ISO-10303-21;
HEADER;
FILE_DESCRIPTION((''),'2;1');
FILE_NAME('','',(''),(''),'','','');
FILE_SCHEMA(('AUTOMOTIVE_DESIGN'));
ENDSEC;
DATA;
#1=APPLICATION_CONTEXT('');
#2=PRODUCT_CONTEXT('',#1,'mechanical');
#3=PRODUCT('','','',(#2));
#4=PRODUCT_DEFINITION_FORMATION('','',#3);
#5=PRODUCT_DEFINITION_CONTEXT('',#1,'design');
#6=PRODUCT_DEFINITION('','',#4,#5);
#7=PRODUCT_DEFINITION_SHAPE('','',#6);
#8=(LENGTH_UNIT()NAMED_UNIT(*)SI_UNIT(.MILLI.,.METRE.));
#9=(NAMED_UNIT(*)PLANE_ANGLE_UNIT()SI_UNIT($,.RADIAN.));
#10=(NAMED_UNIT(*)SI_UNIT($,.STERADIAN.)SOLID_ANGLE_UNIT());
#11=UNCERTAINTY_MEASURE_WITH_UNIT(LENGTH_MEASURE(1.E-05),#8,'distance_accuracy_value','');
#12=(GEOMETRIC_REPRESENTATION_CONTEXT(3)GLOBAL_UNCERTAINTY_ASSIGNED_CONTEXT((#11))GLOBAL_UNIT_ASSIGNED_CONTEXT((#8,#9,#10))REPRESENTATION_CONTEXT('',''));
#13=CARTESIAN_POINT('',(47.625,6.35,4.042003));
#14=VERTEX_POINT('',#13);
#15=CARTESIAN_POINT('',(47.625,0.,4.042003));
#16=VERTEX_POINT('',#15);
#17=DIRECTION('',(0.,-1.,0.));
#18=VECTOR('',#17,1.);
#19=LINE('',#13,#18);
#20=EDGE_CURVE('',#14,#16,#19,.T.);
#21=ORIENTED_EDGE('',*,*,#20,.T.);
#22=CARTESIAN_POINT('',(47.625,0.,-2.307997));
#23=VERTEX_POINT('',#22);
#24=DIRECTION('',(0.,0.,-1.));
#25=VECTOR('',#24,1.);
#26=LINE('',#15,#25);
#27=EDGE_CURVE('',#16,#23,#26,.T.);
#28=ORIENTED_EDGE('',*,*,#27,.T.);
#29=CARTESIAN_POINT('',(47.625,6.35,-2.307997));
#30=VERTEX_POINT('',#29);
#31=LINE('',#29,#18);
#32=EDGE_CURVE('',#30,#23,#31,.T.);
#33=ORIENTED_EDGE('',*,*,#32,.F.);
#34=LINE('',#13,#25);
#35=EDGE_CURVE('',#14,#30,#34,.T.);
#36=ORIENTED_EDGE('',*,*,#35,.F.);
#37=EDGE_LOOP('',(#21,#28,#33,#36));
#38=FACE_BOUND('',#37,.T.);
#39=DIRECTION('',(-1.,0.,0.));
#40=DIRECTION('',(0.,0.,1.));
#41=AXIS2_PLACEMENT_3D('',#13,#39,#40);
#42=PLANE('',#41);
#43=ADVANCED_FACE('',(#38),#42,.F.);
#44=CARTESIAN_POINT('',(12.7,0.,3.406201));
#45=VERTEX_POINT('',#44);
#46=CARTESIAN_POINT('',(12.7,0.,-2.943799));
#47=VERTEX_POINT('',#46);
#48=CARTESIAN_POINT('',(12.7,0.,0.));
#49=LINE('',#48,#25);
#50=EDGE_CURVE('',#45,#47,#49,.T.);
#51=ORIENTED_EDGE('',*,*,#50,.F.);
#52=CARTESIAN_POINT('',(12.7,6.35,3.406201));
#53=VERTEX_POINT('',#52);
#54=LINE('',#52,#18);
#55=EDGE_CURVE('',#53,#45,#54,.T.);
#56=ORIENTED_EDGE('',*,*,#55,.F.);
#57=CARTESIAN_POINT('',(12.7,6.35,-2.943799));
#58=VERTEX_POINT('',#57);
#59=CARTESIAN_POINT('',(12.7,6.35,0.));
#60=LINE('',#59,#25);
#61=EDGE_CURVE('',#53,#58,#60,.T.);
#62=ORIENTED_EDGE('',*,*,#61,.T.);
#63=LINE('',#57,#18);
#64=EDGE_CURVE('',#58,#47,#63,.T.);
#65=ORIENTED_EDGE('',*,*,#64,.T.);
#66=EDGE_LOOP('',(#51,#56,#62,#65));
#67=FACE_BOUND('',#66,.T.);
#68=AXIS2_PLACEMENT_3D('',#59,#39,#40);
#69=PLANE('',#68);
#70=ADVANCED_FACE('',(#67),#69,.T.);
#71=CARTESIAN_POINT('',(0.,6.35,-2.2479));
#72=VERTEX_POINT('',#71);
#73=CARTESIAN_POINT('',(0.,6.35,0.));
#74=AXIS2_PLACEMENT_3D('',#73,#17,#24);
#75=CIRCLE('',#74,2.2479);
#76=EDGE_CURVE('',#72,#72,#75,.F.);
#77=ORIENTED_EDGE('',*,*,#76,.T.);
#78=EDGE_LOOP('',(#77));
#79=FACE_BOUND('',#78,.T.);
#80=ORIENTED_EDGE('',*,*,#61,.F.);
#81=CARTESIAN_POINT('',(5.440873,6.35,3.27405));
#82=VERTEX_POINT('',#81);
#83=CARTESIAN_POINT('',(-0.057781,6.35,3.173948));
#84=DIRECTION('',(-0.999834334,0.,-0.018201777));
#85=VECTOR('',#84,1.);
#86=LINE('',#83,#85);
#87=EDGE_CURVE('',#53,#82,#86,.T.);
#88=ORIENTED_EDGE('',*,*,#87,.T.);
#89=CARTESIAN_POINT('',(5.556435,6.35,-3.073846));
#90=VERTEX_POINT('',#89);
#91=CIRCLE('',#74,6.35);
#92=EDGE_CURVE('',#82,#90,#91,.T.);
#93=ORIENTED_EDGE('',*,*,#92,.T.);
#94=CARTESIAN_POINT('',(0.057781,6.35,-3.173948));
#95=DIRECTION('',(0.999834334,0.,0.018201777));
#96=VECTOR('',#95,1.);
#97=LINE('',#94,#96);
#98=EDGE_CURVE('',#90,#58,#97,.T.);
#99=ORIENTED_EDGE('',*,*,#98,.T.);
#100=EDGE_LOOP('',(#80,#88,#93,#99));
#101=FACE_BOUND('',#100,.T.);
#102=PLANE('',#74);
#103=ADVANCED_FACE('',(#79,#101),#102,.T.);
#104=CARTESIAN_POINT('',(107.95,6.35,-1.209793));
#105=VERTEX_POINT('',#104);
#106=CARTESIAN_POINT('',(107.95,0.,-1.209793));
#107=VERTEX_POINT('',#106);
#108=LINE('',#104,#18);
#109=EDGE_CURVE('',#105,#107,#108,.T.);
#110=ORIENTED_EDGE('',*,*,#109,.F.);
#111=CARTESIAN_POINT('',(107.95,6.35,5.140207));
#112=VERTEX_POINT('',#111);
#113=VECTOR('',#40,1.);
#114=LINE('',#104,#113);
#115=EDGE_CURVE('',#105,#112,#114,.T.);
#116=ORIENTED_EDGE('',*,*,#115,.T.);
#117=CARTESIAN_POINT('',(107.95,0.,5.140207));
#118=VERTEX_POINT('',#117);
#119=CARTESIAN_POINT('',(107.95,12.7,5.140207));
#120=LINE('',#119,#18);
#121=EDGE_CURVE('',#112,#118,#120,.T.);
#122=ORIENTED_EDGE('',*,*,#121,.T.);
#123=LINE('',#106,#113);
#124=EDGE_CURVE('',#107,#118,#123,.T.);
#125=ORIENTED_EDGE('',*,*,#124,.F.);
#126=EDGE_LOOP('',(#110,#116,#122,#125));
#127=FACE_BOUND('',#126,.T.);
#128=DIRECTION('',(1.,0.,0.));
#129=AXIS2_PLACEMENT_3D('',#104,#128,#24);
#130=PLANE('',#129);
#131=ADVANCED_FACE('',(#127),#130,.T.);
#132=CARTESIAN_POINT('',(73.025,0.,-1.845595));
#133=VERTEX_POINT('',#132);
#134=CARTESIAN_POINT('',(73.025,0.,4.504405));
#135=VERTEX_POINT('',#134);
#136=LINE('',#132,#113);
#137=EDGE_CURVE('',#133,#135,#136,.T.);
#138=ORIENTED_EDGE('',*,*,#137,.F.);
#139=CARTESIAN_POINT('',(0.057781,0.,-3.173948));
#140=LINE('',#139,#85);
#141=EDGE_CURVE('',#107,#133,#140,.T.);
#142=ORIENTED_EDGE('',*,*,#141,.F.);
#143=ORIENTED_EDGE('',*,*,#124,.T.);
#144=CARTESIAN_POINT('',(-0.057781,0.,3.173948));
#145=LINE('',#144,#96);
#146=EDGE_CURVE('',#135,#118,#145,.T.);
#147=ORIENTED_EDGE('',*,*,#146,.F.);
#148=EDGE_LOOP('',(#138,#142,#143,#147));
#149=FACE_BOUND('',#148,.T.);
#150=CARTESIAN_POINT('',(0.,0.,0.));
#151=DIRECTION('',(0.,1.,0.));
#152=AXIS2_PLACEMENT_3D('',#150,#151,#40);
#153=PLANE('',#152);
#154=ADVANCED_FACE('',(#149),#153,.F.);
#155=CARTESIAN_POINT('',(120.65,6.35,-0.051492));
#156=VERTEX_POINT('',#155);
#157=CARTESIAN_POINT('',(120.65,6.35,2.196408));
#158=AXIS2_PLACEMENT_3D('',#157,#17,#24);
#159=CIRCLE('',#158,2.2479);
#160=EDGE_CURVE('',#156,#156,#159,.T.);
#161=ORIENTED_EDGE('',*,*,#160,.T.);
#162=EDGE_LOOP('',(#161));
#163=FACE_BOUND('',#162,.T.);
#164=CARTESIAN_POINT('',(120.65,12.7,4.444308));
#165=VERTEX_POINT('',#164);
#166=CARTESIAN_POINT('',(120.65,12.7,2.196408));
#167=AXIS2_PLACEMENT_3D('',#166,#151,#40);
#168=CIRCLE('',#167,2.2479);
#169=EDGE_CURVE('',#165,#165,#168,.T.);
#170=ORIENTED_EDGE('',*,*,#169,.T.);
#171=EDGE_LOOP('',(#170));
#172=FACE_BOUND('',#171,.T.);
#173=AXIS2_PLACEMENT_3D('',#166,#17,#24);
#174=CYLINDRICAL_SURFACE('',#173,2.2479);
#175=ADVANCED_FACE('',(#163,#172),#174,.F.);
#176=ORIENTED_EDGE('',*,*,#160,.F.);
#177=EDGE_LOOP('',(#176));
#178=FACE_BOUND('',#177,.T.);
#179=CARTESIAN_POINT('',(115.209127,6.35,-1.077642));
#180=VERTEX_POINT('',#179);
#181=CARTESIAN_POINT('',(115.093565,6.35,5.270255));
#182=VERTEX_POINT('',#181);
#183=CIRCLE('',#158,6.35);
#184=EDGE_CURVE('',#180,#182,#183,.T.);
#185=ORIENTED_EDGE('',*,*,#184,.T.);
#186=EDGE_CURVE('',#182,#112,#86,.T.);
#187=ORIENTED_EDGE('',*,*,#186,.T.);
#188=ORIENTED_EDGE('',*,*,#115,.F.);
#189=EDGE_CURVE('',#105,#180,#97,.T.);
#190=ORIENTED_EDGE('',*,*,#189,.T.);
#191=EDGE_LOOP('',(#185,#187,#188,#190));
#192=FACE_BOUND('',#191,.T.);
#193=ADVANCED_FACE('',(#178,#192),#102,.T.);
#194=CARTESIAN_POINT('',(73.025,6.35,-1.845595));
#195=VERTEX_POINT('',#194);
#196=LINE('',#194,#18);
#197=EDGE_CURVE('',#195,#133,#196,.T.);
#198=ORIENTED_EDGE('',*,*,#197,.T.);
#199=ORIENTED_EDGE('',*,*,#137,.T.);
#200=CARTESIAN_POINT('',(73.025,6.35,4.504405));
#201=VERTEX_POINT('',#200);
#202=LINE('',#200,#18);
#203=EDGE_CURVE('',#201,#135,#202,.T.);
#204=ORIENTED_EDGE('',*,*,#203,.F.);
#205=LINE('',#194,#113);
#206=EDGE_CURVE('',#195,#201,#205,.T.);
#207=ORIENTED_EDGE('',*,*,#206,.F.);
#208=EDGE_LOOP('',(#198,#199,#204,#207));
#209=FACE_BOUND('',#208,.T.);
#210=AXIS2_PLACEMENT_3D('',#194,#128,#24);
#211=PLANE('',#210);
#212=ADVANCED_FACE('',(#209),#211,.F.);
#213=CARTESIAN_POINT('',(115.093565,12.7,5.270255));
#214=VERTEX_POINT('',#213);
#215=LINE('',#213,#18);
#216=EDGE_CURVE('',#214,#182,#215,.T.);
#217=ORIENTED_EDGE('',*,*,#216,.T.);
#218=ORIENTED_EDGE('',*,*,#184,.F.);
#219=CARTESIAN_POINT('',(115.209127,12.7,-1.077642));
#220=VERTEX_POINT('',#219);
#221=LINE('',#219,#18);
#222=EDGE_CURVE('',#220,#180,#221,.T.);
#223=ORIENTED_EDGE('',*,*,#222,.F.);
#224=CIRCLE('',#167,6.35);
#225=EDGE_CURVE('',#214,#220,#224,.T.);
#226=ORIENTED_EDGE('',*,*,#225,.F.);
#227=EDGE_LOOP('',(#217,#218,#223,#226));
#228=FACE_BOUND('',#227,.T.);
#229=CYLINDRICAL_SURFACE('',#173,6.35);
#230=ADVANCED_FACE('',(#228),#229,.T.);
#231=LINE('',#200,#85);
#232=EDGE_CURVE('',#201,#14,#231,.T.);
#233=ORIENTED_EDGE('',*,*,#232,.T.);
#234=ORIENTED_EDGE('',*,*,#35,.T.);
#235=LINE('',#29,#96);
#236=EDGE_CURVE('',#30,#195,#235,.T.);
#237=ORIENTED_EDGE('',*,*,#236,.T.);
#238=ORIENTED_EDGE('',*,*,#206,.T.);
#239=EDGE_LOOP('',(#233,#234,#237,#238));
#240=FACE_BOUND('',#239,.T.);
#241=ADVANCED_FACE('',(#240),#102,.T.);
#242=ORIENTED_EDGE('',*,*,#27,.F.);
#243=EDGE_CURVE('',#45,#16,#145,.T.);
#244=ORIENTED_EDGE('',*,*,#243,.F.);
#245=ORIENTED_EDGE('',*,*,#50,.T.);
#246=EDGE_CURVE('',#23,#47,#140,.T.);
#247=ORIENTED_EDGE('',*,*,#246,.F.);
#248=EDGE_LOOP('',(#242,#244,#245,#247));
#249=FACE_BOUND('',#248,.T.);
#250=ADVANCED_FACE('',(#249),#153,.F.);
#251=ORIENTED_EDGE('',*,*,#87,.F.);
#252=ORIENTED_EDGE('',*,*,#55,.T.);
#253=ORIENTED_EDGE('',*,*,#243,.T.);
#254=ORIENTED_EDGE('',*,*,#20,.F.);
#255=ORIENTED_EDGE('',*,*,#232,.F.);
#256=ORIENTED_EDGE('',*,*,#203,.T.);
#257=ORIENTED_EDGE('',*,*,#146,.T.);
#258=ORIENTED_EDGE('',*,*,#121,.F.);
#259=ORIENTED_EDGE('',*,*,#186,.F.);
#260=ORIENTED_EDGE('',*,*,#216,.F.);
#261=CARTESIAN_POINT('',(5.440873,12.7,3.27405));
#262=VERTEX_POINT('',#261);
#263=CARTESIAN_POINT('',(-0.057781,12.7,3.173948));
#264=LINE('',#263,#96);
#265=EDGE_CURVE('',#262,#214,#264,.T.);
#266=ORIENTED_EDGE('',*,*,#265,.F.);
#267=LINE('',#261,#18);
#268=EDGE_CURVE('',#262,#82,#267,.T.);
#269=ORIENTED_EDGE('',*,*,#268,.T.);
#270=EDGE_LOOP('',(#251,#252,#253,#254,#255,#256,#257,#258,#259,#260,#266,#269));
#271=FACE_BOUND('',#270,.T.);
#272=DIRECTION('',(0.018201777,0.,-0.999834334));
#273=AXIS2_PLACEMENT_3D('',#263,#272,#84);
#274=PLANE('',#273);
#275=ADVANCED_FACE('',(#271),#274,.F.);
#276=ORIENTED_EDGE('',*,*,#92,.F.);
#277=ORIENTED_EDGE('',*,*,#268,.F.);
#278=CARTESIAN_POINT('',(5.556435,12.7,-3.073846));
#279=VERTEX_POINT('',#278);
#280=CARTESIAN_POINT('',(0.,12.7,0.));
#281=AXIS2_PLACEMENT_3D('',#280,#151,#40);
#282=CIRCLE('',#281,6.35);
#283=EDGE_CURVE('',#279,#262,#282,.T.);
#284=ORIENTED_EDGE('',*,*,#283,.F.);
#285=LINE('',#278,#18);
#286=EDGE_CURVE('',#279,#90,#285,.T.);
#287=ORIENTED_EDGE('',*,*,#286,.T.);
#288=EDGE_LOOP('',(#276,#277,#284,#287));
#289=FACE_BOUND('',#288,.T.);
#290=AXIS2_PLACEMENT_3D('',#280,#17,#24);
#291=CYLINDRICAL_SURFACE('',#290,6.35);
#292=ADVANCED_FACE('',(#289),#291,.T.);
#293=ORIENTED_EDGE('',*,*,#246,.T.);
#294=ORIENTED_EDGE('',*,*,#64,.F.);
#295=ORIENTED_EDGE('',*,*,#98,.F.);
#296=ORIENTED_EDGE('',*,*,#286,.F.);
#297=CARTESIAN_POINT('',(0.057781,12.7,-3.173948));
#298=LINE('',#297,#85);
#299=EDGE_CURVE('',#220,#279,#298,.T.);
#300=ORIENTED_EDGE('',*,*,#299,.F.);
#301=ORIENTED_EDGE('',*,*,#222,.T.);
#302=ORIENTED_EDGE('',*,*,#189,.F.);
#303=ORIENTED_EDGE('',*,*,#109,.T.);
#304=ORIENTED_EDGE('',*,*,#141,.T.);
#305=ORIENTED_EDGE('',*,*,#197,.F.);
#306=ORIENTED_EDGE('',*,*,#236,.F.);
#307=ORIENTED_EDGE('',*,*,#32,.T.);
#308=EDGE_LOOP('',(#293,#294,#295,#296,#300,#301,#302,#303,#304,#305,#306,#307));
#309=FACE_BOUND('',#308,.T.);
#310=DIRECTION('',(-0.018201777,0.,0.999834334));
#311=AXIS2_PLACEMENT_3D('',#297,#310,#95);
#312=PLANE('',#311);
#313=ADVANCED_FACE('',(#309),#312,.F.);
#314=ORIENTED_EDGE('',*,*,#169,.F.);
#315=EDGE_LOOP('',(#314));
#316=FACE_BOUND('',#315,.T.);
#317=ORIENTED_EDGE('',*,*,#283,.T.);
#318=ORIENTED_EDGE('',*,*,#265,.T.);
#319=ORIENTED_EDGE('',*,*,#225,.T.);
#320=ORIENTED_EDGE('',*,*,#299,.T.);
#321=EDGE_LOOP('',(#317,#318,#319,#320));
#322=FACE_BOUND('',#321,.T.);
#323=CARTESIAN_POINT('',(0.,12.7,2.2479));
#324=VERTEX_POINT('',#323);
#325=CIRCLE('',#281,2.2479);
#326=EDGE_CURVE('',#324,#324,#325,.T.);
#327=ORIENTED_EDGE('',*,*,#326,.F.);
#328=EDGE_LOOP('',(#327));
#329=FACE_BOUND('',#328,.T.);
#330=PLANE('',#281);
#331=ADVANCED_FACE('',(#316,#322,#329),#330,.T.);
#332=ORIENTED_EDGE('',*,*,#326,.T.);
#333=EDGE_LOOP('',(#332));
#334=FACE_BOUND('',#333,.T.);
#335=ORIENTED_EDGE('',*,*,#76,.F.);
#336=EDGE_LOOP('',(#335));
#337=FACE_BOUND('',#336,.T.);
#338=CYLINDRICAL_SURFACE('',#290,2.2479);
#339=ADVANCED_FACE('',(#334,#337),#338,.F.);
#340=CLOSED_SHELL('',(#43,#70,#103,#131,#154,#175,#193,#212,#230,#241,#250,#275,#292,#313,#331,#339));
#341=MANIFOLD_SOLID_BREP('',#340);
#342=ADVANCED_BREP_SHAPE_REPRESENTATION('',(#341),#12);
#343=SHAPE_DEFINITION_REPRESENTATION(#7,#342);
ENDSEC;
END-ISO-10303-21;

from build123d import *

# Parameters (mm, degrees)
SKETCH2_R           = 2.2479
BOSS_EXTRUDE2_DEPTH = 12.7
SKETCH3_R           = 6.35
SKETCH3_W           = 12.7
SKETCH3_H           = 9.756200869
SKETCH3_H_2         = 9.756200868
CUT_EXTRUDE1_DEPTH  = 6.35
CUT_EXTRUDE2_DEPTH  = 6.35


with BuildPart() as part:
    # Sketch2 → Boss-Extrude2 (new body)
    with BuildSketch(Plane(origin=(0, 0, 0), x_dir=(1, 0, 0), z_dir=(0, 1, 0))):
        with BuildLine():
            ThreePointArc((5.556434937, 3.073846253), (-6.34894802, 0.115581283), (5.440872802, -3.274049962))
            Line((5.440872802, -3.274049962), (115.093565063, -5.270254505))
            ThreePointArc((115.093565063, -5.270254505), (126.99894802, -2.311989535), (115.209127198, 1.07764171))
            Line((115.209127198, 1.07764171), (5.556434937, 3.073846253))
        make_face()
        with Locations(Location((120.65, -2.196408252, 0), (0, 0, 270))):
            Circle(SKETCH2_R, mode=Mode.SUBTRACT)
        with Locations(Location((0, 0, 0), (0, 0, 270))):
            Circle(SKETCH2_R, mode=Mode.SUBTRACT)
    extrude(amount=BOSS_EXTRUDE2_DEPTH)

    # Sketch3 → Cut-Extrude1 (cut)
    with BuildSketch(Plane.XZ):
        Circle(SKETCH3_R)
        with Locations((120.65, 2.196408252)):
            Circle(SKETCH3_R)
        with Locations((6.35, -1.471899566)):
            Rectangle(SKETCH3_W, SKETCH3_H)
        with Locations((114.3, 3.668307818)):
            Rectangle(SKETCH3_W, SKETCH3_H_2)
    extrude(amount=-CUT_EXTRUDE1_DEPTH, mode=Mode.SUBTRACT)

    # Sketch4 → Cut-Extrude2 (cut)
    with BuildSketch(Plane.XZ):
        Polygon((47.625, 4.042003257), (47.625, -2.307996743), (73.025, -1.845595005), (73.025, 4.504404995), align=None)
    extrude(amount=-CUT_EXTRUDE2_DEPTH, mode=Mode.SUBTRACT)


solid = part.part
